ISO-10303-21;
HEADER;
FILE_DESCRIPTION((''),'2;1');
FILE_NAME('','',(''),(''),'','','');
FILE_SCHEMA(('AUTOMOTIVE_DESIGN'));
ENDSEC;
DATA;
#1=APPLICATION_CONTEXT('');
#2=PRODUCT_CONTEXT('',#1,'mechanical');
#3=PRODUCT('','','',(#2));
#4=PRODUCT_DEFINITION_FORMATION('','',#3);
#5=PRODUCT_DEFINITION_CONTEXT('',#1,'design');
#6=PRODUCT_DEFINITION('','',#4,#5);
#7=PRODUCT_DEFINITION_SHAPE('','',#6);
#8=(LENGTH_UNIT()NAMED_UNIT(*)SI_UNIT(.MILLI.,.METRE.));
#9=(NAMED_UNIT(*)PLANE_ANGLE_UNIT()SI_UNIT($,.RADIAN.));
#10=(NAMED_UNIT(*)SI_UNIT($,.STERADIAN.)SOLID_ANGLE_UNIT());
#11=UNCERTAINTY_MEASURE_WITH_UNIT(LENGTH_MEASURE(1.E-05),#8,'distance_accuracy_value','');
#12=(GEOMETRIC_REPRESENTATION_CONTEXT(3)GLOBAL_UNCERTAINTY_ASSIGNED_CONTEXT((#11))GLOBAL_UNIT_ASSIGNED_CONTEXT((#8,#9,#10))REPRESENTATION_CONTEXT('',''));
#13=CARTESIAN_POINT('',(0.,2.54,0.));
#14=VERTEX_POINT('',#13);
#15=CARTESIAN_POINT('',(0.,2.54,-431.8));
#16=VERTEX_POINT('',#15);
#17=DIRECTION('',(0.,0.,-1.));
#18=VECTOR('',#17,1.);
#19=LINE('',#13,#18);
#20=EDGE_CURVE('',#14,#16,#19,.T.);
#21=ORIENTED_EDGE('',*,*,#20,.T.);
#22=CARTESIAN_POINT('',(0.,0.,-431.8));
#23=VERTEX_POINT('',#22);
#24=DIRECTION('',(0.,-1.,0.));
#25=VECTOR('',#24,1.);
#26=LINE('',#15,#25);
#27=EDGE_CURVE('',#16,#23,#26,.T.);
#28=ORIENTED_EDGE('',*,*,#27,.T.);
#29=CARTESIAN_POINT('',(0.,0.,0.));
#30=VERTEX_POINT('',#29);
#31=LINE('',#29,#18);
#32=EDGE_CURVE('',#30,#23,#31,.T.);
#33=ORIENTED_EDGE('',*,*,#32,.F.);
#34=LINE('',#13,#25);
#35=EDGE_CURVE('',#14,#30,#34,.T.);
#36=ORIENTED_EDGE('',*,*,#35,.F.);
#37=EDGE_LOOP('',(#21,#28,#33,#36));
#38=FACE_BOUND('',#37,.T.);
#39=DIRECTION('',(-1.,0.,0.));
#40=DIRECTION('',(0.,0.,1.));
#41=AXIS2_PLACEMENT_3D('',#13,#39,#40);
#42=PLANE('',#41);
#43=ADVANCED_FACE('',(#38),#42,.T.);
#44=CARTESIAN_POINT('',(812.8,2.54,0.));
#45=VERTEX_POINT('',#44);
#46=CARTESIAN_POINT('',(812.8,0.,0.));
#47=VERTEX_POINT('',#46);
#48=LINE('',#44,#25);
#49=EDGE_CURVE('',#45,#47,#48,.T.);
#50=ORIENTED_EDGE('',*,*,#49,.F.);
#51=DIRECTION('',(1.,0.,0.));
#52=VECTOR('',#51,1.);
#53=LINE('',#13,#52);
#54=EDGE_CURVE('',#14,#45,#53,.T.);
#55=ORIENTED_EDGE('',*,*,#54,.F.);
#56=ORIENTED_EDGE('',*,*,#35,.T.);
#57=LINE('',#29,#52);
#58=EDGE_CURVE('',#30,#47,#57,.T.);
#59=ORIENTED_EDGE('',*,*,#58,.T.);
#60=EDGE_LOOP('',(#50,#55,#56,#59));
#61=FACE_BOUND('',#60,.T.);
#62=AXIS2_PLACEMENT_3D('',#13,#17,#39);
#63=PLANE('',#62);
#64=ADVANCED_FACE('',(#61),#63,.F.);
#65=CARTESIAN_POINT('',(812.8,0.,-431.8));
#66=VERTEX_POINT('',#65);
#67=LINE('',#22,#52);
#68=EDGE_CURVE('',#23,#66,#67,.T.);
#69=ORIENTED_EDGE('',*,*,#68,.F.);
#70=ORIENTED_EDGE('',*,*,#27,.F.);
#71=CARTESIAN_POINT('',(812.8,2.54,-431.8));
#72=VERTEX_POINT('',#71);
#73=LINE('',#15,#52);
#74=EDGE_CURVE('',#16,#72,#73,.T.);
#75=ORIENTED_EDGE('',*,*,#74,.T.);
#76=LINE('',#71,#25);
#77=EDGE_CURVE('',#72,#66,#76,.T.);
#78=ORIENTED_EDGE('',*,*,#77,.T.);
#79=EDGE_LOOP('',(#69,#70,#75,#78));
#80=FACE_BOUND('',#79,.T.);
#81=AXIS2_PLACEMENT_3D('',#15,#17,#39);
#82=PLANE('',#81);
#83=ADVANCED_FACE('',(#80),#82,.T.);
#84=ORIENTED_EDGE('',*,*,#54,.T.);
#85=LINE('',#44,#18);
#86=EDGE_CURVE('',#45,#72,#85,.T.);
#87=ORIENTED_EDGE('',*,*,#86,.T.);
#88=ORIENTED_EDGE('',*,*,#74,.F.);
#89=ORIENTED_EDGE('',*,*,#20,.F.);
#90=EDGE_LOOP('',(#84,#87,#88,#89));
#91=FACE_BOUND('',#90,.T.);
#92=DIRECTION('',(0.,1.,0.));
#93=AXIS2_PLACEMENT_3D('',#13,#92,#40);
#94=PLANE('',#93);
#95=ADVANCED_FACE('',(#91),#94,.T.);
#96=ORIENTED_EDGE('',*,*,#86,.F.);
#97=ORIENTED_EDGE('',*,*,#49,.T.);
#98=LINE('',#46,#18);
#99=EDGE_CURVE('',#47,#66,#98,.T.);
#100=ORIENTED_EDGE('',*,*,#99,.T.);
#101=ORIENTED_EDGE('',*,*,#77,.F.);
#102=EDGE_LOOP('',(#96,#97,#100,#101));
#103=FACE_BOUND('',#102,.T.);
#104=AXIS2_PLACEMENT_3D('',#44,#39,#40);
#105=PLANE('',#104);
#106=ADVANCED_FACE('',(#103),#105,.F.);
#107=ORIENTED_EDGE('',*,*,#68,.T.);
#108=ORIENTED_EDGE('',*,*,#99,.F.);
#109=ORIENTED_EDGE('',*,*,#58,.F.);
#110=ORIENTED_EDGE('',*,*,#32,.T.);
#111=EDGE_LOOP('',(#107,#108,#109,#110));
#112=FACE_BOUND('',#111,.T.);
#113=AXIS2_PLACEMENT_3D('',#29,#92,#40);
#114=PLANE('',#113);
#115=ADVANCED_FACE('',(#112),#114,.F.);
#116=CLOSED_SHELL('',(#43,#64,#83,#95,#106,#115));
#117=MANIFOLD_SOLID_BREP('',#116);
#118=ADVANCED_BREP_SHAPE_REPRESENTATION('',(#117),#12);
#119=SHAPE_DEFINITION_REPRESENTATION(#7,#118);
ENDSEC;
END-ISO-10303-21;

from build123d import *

# Parameters (mm, degrees)
SKETCH1_W           = 406.4
SKETCH1_H           = 254
SKETCH1_H_2         = 177.8
BOSS_EXTRUDE1_DEPTH = 2.54


with BuildPart() as part:
    # Sketch1 → Boss-Extrude1 (new body)
    with BuildSketch(Plane(origin=(0, 0, 0), x_dir=(1, 0, 0), z_dir=(0, 1, 0))):
        with Locations((203.2, 127)):
            Rectangle(SKETCH1_W, SKETCH1_H)
        with Locations((203.2, 342.9)):
            Rectangle(SKETCH1_W, SKETCH1_H_2)
        with Locations((609.6, 342.9)):
            Rectangle(SKETCH1_W, SKETCH1_H_2)
        with Locations((609.6, 127)):
            Rectangle(SKETCH1_W, SKETCH1_H)
    extrude(amount=BOSS_EXTRUDE1_DEPTH)


solid = part.part
